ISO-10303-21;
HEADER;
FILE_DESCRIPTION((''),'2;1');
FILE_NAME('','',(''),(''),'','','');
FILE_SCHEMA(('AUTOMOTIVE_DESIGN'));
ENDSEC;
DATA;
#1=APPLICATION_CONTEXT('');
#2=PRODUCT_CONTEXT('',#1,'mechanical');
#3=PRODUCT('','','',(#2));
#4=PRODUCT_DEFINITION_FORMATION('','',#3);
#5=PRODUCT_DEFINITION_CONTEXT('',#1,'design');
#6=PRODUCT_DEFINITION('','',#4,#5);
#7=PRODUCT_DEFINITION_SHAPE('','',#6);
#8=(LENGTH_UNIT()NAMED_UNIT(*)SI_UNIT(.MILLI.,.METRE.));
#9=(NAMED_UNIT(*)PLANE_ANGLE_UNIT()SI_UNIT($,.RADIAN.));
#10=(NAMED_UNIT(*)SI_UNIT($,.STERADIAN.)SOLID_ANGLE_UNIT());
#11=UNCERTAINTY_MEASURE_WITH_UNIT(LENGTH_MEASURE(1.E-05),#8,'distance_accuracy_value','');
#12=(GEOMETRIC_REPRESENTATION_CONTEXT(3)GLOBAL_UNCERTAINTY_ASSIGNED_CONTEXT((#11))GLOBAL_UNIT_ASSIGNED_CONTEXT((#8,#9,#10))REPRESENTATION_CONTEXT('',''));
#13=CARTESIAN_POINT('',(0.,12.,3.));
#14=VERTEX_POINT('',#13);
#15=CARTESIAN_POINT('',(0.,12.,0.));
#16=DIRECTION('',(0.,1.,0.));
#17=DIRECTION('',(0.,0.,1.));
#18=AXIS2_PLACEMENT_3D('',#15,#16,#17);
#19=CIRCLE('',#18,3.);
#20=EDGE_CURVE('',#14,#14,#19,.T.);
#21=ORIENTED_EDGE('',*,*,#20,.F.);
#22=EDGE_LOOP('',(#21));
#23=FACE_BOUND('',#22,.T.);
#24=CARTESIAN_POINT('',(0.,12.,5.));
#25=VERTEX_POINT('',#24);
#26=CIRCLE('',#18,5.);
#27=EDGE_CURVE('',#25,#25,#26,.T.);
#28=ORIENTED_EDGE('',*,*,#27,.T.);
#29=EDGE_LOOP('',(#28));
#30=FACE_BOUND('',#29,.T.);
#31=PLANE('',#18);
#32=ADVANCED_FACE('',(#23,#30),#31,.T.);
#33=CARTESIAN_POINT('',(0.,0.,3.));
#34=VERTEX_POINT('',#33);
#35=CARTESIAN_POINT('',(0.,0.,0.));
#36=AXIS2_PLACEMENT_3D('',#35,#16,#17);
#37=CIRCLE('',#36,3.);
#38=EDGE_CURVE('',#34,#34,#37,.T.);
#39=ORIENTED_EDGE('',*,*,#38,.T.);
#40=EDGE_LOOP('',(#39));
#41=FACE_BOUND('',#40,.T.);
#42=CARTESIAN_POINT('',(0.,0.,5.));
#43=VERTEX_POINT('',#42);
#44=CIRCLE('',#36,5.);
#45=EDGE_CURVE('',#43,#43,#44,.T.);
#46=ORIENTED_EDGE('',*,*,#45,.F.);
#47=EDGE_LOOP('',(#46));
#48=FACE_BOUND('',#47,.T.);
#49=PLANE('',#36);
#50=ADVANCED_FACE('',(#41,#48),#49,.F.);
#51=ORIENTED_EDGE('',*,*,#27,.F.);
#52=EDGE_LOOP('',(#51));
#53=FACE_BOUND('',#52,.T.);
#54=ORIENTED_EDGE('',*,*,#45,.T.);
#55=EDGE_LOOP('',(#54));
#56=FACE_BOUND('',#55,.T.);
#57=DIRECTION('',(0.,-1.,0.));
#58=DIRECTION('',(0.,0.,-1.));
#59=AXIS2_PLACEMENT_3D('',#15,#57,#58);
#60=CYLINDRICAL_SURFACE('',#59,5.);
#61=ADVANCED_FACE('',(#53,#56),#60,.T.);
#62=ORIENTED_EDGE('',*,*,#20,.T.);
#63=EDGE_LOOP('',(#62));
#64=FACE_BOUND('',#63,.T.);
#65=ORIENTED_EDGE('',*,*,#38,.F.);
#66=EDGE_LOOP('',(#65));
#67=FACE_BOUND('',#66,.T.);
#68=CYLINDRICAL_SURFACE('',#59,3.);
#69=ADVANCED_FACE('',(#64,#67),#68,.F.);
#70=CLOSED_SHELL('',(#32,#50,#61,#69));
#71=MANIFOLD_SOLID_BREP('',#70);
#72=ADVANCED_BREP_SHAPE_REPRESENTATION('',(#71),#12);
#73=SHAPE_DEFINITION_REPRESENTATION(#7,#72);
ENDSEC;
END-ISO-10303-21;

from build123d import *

# Parameters (mm, degrees)
SKETCH1_R           = 5
SKETCH1_R_2         = 3
BOSS_EXTRUDE1_DEPTH = 12


with BuildPart() as part:
    # Sketch1 → Boss-Extrude1 (new body)
    with BuildSketch(Plane(origin=(0, 0, 0), x_dir=(1, 0, 0), z_dir=(0, 1, 0))):
        Circle(SKETCH1_R)
        Circle(SKETCH1_R_2, mode=Mode.SUBTRACT)
    extrude(amount=BOSS_EXTRUDE1_DEPTH)


solid = part.part
